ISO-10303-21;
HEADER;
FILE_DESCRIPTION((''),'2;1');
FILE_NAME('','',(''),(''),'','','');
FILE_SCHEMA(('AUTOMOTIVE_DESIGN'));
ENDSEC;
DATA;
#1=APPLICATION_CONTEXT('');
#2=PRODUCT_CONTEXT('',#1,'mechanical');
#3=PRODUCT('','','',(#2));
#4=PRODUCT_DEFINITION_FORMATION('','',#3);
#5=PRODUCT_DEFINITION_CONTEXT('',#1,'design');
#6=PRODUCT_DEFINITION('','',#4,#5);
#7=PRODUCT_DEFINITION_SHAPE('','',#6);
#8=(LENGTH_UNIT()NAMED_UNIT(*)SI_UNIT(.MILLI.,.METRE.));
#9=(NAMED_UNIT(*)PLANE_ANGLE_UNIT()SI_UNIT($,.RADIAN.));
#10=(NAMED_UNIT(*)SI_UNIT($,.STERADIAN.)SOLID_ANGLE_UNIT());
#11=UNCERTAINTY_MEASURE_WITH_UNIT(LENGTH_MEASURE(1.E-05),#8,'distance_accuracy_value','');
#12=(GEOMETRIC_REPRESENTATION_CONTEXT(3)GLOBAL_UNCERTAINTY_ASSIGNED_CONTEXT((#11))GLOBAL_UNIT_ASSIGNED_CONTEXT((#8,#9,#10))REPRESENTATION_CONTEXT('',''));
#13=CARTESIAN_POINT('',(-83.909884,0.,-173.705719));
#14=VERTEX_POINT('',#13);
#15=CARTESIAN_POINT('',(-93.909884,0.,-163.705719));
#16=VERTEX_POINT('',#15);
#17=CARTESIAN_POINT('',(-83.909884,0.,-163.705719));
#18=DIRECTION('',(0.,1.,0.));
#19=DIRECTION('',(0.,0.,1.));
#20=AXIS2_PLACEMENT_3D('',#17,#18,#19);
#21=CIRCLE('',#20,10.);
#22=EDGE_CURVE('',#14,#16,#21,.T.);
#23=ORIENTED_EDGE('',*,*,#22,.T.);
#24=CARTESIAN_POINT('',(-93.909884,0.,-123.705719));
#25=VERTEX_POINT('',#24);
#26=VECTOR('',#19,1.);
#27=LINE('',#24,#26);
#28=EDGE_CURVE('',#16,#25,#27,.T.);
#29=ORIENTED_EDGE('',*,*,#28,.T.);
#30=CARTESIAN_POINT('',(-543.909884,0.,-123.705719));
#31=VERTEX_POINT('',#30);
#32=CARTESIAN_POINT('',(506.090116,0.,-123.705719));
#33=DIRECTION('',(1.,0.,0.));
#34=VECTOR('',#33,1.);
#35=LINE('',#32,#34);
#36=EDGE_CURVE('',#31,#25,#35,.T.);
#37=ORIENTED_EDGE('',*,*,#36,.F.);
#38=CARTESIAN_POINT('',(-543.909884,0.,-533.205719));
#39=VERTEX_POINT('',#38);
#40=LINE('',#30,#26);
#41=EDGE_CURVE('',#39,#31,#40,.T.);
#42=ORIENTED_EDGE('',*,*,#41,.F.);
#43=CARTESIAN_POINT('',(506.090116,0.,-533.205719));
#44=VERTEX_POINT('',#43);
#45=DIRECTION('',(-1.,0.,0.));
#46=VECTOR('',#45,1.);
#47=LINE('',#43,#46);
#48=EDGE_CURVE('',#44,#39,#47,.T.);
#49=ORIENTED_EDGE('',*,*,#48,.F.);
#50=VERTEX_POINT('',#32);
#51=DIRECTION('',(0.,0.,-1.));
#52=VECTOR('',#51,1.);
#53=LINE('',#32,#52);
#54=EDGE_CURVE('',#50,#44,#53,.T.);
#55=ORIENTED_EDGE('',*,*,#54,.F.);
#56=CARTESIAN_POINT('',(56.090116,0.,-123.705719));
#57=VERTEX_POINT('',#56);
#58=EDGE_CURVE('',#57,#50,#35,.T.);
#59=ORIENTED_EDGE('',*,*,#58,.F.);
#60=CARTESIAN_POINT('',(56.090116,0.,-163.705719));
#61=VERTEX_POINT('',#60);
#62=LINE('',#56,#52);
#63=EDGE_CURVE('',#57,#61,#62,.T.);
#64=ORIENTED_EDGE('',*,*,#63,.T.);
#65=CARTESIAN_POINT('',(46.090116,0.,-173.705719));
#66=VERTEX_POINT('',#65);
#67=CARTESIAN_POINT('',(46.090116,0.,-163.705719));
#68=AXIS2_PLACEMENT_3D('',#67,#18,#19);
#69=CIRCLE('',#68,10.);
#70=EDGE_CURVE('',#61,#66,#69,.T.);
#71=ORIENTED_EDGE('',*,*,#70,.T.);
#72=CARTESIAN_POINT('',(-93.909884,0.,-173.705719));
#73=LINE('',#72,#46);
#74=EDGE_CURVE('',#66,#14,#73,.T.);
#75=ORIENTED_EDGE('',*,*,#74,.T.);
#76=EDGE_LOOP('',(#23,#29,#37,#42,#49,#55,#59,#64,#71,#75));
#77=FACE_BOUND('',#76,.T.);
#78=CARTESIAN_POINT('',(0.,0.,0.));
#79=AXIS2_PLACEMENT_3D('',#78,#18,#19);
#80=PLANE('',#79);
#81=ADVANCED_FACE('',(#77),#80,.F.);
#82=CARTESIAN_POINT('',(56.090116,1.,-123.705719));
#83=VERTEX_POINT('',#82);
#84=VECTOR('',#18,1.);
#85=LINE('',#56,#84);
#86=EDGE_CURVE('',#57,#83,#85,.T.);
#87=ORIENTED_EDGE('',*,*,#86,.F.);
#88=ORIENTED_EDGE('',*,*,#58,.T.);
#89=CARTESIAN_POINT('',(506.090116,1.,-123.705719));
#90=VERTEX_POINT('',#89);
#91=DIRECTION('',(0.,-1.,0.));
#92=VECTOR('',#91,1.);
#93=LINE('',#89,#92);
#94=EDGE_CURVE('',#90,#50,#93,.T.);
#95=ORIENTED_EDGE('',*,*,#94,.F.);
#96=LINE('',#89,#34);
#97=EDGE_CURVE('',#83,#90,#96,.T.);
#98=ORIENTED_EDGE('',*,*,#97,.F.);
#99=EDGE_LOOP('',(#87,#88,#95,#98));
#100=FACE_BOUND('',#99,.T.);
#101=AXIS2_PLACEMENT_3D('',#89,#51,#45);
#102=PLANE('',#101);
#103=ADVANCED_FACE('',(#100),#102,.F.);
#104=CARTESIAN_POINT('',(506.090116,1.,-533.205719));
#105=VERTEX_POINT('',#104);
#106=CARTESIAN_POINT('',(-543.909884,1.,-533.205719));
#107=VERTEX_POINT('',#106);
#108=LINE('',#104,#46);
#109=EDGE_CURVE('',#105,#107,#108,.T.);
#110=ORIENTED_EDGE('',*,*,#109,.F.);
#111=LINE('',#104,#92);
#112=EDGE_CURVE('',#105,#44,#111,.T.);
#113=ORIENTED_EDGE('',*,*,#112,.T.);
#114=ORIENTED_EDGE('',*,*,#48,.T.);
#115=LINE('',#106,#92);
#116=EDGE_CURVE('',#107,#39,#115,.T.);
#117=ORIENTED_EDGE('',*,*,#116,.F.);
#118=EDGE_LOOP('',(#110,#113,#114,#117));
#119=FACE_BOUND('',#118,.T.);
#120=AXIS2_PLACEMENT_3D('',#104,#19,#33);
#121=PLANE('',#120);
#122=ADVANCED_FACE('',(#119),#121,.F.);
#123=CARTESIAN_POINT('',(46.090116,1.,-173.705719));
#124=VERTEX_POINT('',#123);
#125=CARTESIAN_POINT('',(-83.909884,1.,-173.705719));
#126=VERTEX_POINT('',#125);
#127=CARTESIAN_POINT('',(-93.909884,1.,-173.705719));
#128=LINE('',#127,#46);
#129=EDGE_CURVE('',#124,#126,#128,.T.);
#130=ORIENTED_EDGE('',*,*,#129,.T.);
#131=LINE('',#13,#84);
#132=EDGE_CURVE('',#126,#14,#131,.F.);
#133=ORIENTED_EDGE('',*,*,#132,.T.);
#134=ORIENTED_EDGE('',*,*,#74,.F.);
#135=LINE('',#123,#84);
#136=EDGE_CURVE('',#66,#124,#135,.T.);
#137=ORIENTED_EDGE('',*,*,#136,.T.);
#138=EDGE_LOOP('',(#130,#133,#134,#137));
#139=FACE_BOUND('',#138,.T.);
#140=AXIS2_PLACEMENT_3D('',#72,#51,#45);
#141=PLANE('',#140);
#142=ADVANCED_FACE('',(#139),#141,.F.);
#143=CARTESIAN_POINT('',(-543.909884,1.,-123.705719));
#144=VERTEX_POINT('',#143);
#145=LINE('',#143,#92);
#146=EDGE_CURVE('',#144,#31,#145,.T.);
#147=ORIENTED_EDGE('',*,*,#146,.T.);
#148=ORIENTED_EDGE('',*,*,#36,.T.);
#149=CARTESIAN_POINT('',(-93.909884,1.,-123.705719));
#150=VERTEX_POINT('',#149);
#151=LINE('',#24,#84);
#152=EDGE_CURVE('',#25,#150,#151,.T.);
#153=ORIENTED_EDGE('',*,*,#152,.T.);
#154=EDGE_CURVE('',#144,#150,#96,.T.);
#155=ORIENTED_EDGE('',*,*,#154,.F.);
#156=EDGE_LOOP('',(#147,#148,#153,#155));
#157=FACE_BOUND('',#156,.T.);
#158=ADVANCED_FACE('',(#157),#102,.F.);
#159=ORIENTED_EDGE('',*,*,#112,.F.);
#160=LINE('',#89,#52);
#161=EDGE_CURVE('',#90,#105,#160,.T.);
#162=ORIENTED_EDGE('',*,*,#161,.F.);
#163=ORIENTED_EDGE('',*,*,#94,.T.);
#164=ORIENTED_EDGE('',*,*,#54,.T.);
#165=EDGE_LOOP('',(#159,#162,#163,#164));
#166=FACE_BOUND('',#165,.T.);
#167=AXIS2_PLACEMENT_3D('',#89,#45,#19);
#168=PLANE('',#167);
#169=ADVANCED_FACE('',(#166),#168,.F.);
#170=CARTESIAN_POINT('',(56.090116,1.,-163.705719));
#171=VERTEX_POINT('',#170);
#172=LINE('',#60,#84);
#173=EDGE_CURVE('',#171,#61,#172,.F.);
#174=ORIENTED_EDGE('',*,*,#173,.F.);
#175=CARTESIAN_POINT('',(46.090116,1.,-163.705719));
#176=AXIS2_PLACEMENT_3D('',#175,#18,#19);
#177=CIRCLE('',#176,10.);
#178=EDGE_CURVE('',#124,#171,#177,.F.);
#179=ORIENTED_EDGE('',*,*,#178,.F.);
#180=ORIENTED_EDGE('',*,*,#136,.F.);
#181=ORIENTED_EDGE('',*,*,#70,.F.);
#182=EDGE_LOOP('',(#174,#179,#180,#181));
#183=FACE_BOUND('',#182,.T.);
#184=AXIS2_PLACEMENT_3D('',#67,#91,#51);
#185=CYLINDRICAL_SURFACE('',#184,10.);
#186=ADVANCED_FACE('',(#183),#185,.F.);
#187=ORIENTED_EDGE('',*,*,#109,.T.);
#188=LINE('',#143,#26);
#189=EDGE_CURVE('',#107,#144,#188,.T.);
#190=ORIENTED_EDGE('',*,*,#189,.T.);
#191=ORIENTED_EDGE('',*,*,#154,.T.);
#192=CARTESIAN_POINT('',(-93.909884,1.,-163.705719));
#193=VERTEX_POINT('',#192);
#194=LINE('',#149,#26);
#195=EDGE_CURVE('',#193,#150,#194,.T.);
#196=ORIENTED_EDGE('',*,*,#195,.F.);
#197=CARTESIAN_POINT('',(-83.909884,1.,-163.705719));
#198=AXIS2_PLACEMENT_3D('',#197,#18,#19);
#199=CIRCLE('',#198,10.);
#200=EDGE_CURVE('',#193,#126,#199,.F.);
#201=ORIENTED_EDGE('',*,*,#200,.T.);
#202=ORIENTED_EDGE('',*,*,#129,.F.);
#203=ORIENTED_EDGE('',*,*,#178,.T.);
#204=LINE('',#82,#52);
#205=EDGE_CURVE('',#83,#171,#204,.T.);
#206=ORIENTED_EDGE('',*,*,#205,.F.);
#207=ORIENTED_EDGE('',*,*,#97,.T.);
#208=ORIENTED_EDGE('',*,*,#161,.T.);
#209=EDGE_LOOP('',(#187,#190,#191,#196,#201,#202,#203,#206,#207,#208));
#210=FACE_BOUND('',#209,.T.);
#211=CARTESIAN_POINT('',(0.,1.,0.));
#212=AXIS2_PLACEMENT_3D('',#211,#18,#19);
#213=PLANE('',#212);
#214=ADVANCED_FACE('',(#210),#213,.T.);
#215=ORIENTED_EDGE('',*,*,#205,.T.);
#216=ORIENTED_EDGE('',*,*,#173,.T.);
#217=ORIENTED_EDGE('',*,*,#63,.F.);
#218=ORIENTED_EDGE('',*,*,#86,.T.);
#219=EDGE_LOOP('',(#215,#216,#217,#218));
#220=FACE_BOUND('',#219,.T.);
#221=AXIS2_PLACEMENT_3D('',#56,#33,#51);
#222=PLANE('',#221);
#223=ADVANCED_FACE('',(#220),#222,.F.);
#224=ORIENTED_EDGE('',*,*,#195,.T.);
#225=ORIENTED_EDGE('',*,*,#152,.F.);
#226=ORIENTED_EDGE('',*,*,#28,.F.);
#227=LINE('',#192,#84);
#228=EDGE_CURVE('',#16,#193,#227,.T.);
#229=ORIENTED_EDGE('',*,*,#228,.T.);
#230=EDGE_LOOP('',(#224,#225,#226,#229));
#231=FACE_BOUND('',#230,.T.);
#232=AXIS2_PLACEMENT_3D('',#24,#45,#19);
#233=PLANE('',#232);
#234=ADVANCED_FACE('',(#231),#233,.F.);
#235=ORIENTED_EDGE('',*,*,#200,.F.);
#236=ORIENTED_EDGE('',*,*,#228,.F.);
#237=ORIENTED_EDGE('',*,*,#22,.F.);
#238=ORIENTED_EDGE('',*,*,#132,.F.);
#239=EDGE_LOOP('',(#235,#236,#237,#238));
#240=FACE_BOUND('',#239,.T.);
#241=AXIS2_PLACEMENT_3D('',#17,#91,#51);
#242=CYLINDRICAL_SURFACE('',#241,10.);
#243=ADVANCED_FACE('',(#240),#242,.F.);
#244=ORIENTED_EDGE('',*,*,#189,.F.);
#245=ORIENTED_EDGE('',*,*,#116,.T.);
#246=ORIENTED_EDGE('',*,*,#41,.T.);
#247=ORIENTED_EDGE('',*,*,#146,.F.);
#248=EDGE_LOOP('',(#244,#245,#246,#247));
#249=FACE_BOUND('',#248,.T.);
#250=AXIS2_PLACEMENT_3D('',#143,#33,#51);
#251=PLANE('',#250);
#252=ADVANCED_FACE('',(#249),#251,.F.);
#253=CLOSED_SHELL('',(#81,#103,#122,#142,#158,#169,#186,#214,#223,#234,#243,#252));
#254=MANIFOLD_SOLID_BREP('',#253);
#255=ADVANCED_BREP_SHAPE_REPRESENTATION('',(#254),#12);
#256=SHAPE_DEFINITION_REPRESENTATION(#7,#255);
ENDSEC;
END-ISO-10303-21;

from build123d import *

# Parameters (mm, degrees)
SKETCH1_W           = 1050
SKETCH1_H           = 409.5
BOSS_EXTRUDE1_DEPTH = 1
SKETCH2_W           = 150
SKETCH2_H           = 50
CUT_EXTRUDE1_DEPTH  = 1
FILLET1_R           = 10


with BuildPart() as part:
    # Sketch1 → Boss-Extrude1 (new body)
    with BuildSketch(Plane(origin=(0, 0, 0), x_dir=(1, 0, 0), z_dir=(0, 1, 0))):
        with Locations((-18.909884175, 328.455718826)):
            Rectangle(SKETCH1_W, SKETCH1_H)
    extrude(amount=BOSS_EXTRUDE1_DEPTH)

    # Sketch2 → Cut-Extrude1 (cut)
    with BuildSketch(Plane(origin=(0, 1, 0), x_dir=(1, 0, 0), z_dir=(0, 1, 0))):
        with Locations((-18.909884175, 148.705718826)):
            Rectangle(SKETCH2_W, SKETCH2_H)
    extrude(amount=-CUT_EXTRUDE1_DEPTH, mode=Mode.SUBTRACT)

    # Fillet1
    fillet1_edges = [part.edges().sort_by_distance(p)[0] for p in [
        (-93.909884175, 0.5, -173.705718826),
        (56.090115825, 0.5, -173.705718826),
    ]]
    fillet(fillet1_edges, radius=FILLET1_R)


solid = part.part
